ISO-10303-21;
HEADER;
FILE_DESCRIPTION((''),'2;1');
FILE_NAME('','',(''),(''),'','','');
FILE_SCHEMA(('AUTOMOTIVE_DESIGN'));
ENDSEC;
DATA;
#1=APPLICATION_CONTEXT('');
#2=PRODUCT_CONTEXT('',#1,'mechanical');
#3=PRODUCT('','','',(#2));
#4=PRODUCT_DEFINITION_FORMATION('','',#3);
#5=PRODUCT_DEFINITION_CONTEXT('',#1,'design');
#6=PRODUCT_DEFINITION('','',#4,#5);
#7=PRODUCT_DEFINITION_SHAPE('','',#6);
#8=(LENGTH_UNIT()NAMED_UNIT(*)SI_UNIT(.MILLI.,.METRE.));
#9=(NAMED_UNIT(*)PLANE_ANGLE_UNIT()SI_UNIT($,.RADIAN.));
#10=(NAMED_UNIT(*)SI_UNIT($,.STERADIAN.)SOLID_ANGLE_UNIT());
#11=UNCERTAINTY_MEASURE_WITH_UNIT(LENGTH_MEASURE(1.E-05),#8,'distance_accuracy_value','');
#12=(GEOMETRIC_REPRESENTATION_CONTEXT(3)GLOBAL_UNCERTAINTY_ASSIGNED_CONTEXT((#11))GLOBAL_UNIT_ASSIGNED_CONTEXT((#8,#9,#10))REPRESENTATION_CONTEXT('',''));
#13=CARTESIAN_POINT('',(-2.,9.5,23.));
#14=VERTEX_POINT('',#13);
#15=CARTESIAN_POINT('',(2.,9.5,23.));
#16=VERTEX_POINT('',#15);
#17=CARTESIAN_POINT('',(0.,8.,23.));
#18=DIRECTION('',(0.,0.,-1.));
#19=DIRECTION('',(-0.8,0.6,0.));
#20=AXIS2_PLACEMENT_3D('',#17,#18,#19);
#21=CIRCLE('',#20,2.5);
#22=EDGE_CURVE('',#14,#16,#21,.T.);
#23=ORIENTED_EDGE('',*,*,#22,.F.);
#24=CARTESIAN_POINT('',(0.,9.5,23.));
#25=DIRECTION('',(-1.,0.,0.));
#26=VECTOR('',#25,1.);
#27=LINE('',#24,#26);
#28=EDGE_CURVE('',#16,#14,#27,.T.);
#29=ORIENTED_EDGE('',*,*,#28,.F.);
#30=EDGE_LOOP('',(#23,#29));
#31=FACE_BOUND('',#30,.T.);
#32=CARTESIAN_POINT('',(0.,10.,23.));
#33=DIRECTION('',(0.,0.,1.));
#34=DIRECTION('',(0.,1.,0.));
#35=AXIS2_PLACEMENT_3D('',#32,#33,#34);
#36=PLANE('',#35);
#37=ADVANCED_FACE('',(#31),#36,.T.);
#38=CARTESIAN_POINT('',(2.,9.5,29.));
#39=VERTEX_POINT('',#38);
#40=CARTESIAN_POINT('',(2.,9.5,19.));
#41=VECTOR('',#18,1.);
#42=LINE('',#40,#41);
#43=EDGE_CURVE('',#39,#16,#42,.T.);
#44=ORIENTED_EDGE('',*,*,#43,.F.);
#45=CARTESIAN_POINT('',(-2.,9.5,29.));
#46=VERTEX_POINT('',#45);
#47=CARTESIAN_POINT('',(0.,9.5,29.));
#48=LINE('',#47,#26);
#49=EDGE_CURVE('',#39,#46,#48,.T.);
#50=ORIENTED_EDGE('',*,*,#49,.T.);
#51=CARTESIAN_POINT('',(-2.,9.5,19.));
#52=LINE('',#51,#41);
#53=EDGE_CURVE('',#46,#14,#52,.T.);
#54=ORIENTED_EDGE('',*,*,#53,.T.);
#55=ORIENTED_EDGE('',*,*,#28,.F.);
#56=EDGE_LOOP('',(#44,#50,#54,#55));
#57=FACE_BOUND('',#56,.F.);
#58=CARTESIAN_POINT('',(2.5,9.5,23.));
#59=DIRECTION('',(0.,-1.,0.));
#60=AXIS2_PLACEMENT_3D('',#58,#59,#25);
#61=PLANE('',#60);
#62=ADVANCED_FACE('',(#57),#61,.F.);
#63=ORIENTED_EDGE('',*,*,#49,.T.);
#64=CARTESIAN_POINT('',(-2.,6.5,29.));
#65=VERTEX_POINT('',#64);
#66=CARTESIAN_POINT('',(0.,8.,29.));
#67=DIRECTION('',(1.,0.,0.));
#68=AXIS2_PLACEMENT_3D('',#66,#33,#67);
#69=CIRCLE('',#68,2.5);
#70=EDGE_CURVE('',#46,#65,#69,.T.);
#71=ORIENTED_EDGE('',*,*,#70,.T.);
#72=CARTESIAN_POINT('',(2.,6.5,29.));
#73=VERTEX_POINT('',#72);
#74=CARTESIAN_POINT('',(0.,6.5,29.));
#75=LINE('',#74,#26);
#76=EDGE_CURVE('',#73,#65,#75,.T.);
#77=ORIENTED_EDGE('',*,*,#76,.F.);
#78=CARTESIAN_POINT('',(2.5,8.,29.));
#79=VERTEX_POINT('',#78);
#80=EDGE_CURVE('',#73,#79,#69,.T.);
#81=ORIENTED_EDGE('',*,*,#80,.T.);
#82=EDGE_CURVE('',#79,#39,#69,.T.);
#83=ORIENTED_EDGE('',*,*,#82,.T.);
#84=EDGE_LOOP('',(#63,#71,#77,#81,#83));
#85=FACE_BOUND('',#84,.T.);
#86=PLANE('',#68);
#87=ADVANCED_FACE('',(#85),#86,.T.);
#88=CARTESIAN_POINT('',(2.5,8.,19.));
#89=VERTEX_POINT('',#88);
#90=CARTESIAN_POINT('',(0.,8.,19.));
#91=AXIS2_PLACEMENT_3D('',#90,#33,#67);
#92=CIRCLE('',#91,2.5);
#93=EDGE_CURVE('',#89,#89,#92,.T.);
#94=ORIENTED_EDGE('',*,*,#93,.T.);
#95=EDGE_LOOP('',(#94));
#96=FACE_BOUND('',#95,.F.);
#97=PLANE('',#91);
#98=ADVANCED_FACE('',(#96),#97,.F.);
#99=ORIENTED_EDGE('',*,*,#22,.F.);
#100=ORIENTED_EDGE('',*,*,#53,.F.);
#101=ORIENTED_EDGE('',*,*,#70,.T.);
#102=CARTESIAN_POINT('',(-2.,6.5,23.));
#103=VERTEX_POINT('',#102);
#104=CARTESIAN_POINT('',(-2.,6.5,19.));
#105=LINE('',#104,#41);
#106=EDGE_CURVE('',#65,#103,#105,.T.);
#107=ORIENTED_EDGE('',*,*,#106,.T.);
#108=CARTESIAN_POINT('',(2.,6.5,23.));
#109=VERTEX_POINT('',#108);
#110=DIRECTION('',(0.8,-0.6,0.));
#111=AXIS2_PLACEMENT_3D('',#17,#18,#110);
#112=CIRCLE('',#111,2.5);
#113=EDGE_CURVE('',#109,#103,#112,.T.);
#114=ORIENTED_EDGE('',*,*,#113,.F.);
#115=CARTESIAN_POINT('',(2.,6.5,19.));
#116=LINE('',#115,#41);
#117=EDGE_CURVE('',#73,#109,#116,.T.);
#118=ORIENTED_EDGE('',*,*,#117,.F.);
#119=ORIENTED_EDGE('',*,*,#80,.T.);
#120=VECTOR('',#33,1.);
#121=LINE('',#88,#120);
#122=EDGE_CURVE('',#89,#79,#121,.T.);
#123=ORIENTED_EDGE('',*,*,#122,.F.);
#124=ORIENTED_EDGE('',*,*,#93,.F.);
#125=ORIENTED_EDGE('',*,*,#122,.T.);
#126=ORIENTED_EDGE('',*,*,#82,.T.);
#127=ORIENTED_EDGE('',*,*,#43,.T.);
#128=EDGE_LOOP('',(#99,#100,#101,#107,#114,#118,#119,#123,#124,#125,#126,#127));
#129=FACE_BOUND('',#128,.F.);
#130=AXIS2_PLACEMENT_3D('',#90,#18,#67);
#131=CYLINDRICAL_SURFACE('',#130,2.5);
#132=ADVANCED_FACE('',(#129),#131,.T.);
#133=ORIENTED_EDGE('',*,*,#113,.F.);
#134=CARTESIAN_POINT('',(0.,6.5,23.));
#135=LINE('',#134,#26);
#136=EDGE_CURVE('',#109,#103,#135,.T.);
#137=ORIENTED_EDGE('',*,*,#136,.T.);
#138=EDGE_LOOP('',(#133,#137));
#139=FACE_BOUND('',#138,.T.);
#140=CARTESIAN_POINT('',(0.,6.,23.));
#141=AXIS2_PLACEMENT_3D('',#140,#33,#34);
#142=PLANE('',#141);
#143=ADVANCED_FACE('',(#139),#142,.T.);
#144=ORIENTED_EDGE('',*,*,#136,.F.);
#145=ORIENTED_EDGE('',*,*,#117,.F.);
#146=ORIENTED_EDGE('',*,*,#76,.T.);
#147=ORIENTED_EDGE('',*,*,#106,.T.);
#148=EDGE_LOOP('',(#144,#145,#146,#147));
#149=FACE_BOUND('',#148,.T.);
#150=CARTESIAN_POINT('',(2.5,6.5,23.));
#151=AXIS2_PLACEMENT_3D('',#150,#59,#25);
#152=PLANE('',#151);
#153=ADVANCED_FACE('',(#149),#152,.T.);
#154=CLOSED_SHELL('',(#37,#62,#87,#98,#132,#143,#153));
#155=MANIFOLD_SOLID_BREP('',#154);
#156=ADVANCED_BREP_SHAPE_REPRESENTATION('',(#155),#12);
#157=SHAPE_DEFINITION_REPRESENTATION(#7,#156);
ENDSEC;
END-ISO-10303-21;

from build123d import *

# Parameters (mm, degrees)
BOX012_W               = 1
BOX012_H               = 5
BOX012_DEPTH           = 6
BOX012_PLACEMENT_ANGLE = 90
BOX011_W               = 1
BOX011_H               = 5
BOX011_DEPTH           = 6
BOX011_PLACEMENT_ANGLE = 90
CYLINDER017_R          = 2.5
CYLINDER017_DEPTH      = 10


with BuildPart() as cubo008:
    # Box012 → Box012 (new body)
    with BuildSketch(Plane.XY):
        with Locations((0.5, 2.5)):
            Rectangle(BOX012_W, BOX012_H)
    extrude(amount=BOX012_DEPTH)


with BuildPart() as cubo008_1:
    # Box012 placement: moved
    add(cubo008.part.moved(Location((2.5, -2.5, 4))).rotate(Axis((2.5, -2.5, 4), (0, 0, 1)), BOX012_PLACEMENT_ANGLE))


with BuildPart() as fusion008:
    # Box011 → Box011 (new body)
    with BuildSketch(Plane.XY):
        with Locations((0.5, 2.5)):
            Rectangle(BOX011_W, BOX011_H)
    extrude(amount=BOX011_DEPTH)


with BuildPart() as fusion008_1:
    # Box011 placement: moved
    add(fusion008.part.moved(Location((2.5, 1.5, 4))).rotate(Axis((2.5, 1.5, 4), (0, 0, 1)), BOX011_PLACEMENT_ANGLE))

    # Fusion008: union Cubo008
    add(cubo008_1.part)


with BuildPart() as axis_final001:
    # Cylinder017 → Cylinder017 (new body)
    with BuildSketch(Plane.XY):
        Circle(CYLINDER017_R)
    extrude(amount=CYLINDER017_DEPTH)

    # Cut018: cut Fusion008
    add(fusion008_1.part, mode=Mode.SUBTRACT)


with BuildPart() as axis_final001_1:
    # Cut018 placement: moved
    add(axis_final001.part.moved(Location((0, 8, 19))))


solid = axis_final001_1.part
